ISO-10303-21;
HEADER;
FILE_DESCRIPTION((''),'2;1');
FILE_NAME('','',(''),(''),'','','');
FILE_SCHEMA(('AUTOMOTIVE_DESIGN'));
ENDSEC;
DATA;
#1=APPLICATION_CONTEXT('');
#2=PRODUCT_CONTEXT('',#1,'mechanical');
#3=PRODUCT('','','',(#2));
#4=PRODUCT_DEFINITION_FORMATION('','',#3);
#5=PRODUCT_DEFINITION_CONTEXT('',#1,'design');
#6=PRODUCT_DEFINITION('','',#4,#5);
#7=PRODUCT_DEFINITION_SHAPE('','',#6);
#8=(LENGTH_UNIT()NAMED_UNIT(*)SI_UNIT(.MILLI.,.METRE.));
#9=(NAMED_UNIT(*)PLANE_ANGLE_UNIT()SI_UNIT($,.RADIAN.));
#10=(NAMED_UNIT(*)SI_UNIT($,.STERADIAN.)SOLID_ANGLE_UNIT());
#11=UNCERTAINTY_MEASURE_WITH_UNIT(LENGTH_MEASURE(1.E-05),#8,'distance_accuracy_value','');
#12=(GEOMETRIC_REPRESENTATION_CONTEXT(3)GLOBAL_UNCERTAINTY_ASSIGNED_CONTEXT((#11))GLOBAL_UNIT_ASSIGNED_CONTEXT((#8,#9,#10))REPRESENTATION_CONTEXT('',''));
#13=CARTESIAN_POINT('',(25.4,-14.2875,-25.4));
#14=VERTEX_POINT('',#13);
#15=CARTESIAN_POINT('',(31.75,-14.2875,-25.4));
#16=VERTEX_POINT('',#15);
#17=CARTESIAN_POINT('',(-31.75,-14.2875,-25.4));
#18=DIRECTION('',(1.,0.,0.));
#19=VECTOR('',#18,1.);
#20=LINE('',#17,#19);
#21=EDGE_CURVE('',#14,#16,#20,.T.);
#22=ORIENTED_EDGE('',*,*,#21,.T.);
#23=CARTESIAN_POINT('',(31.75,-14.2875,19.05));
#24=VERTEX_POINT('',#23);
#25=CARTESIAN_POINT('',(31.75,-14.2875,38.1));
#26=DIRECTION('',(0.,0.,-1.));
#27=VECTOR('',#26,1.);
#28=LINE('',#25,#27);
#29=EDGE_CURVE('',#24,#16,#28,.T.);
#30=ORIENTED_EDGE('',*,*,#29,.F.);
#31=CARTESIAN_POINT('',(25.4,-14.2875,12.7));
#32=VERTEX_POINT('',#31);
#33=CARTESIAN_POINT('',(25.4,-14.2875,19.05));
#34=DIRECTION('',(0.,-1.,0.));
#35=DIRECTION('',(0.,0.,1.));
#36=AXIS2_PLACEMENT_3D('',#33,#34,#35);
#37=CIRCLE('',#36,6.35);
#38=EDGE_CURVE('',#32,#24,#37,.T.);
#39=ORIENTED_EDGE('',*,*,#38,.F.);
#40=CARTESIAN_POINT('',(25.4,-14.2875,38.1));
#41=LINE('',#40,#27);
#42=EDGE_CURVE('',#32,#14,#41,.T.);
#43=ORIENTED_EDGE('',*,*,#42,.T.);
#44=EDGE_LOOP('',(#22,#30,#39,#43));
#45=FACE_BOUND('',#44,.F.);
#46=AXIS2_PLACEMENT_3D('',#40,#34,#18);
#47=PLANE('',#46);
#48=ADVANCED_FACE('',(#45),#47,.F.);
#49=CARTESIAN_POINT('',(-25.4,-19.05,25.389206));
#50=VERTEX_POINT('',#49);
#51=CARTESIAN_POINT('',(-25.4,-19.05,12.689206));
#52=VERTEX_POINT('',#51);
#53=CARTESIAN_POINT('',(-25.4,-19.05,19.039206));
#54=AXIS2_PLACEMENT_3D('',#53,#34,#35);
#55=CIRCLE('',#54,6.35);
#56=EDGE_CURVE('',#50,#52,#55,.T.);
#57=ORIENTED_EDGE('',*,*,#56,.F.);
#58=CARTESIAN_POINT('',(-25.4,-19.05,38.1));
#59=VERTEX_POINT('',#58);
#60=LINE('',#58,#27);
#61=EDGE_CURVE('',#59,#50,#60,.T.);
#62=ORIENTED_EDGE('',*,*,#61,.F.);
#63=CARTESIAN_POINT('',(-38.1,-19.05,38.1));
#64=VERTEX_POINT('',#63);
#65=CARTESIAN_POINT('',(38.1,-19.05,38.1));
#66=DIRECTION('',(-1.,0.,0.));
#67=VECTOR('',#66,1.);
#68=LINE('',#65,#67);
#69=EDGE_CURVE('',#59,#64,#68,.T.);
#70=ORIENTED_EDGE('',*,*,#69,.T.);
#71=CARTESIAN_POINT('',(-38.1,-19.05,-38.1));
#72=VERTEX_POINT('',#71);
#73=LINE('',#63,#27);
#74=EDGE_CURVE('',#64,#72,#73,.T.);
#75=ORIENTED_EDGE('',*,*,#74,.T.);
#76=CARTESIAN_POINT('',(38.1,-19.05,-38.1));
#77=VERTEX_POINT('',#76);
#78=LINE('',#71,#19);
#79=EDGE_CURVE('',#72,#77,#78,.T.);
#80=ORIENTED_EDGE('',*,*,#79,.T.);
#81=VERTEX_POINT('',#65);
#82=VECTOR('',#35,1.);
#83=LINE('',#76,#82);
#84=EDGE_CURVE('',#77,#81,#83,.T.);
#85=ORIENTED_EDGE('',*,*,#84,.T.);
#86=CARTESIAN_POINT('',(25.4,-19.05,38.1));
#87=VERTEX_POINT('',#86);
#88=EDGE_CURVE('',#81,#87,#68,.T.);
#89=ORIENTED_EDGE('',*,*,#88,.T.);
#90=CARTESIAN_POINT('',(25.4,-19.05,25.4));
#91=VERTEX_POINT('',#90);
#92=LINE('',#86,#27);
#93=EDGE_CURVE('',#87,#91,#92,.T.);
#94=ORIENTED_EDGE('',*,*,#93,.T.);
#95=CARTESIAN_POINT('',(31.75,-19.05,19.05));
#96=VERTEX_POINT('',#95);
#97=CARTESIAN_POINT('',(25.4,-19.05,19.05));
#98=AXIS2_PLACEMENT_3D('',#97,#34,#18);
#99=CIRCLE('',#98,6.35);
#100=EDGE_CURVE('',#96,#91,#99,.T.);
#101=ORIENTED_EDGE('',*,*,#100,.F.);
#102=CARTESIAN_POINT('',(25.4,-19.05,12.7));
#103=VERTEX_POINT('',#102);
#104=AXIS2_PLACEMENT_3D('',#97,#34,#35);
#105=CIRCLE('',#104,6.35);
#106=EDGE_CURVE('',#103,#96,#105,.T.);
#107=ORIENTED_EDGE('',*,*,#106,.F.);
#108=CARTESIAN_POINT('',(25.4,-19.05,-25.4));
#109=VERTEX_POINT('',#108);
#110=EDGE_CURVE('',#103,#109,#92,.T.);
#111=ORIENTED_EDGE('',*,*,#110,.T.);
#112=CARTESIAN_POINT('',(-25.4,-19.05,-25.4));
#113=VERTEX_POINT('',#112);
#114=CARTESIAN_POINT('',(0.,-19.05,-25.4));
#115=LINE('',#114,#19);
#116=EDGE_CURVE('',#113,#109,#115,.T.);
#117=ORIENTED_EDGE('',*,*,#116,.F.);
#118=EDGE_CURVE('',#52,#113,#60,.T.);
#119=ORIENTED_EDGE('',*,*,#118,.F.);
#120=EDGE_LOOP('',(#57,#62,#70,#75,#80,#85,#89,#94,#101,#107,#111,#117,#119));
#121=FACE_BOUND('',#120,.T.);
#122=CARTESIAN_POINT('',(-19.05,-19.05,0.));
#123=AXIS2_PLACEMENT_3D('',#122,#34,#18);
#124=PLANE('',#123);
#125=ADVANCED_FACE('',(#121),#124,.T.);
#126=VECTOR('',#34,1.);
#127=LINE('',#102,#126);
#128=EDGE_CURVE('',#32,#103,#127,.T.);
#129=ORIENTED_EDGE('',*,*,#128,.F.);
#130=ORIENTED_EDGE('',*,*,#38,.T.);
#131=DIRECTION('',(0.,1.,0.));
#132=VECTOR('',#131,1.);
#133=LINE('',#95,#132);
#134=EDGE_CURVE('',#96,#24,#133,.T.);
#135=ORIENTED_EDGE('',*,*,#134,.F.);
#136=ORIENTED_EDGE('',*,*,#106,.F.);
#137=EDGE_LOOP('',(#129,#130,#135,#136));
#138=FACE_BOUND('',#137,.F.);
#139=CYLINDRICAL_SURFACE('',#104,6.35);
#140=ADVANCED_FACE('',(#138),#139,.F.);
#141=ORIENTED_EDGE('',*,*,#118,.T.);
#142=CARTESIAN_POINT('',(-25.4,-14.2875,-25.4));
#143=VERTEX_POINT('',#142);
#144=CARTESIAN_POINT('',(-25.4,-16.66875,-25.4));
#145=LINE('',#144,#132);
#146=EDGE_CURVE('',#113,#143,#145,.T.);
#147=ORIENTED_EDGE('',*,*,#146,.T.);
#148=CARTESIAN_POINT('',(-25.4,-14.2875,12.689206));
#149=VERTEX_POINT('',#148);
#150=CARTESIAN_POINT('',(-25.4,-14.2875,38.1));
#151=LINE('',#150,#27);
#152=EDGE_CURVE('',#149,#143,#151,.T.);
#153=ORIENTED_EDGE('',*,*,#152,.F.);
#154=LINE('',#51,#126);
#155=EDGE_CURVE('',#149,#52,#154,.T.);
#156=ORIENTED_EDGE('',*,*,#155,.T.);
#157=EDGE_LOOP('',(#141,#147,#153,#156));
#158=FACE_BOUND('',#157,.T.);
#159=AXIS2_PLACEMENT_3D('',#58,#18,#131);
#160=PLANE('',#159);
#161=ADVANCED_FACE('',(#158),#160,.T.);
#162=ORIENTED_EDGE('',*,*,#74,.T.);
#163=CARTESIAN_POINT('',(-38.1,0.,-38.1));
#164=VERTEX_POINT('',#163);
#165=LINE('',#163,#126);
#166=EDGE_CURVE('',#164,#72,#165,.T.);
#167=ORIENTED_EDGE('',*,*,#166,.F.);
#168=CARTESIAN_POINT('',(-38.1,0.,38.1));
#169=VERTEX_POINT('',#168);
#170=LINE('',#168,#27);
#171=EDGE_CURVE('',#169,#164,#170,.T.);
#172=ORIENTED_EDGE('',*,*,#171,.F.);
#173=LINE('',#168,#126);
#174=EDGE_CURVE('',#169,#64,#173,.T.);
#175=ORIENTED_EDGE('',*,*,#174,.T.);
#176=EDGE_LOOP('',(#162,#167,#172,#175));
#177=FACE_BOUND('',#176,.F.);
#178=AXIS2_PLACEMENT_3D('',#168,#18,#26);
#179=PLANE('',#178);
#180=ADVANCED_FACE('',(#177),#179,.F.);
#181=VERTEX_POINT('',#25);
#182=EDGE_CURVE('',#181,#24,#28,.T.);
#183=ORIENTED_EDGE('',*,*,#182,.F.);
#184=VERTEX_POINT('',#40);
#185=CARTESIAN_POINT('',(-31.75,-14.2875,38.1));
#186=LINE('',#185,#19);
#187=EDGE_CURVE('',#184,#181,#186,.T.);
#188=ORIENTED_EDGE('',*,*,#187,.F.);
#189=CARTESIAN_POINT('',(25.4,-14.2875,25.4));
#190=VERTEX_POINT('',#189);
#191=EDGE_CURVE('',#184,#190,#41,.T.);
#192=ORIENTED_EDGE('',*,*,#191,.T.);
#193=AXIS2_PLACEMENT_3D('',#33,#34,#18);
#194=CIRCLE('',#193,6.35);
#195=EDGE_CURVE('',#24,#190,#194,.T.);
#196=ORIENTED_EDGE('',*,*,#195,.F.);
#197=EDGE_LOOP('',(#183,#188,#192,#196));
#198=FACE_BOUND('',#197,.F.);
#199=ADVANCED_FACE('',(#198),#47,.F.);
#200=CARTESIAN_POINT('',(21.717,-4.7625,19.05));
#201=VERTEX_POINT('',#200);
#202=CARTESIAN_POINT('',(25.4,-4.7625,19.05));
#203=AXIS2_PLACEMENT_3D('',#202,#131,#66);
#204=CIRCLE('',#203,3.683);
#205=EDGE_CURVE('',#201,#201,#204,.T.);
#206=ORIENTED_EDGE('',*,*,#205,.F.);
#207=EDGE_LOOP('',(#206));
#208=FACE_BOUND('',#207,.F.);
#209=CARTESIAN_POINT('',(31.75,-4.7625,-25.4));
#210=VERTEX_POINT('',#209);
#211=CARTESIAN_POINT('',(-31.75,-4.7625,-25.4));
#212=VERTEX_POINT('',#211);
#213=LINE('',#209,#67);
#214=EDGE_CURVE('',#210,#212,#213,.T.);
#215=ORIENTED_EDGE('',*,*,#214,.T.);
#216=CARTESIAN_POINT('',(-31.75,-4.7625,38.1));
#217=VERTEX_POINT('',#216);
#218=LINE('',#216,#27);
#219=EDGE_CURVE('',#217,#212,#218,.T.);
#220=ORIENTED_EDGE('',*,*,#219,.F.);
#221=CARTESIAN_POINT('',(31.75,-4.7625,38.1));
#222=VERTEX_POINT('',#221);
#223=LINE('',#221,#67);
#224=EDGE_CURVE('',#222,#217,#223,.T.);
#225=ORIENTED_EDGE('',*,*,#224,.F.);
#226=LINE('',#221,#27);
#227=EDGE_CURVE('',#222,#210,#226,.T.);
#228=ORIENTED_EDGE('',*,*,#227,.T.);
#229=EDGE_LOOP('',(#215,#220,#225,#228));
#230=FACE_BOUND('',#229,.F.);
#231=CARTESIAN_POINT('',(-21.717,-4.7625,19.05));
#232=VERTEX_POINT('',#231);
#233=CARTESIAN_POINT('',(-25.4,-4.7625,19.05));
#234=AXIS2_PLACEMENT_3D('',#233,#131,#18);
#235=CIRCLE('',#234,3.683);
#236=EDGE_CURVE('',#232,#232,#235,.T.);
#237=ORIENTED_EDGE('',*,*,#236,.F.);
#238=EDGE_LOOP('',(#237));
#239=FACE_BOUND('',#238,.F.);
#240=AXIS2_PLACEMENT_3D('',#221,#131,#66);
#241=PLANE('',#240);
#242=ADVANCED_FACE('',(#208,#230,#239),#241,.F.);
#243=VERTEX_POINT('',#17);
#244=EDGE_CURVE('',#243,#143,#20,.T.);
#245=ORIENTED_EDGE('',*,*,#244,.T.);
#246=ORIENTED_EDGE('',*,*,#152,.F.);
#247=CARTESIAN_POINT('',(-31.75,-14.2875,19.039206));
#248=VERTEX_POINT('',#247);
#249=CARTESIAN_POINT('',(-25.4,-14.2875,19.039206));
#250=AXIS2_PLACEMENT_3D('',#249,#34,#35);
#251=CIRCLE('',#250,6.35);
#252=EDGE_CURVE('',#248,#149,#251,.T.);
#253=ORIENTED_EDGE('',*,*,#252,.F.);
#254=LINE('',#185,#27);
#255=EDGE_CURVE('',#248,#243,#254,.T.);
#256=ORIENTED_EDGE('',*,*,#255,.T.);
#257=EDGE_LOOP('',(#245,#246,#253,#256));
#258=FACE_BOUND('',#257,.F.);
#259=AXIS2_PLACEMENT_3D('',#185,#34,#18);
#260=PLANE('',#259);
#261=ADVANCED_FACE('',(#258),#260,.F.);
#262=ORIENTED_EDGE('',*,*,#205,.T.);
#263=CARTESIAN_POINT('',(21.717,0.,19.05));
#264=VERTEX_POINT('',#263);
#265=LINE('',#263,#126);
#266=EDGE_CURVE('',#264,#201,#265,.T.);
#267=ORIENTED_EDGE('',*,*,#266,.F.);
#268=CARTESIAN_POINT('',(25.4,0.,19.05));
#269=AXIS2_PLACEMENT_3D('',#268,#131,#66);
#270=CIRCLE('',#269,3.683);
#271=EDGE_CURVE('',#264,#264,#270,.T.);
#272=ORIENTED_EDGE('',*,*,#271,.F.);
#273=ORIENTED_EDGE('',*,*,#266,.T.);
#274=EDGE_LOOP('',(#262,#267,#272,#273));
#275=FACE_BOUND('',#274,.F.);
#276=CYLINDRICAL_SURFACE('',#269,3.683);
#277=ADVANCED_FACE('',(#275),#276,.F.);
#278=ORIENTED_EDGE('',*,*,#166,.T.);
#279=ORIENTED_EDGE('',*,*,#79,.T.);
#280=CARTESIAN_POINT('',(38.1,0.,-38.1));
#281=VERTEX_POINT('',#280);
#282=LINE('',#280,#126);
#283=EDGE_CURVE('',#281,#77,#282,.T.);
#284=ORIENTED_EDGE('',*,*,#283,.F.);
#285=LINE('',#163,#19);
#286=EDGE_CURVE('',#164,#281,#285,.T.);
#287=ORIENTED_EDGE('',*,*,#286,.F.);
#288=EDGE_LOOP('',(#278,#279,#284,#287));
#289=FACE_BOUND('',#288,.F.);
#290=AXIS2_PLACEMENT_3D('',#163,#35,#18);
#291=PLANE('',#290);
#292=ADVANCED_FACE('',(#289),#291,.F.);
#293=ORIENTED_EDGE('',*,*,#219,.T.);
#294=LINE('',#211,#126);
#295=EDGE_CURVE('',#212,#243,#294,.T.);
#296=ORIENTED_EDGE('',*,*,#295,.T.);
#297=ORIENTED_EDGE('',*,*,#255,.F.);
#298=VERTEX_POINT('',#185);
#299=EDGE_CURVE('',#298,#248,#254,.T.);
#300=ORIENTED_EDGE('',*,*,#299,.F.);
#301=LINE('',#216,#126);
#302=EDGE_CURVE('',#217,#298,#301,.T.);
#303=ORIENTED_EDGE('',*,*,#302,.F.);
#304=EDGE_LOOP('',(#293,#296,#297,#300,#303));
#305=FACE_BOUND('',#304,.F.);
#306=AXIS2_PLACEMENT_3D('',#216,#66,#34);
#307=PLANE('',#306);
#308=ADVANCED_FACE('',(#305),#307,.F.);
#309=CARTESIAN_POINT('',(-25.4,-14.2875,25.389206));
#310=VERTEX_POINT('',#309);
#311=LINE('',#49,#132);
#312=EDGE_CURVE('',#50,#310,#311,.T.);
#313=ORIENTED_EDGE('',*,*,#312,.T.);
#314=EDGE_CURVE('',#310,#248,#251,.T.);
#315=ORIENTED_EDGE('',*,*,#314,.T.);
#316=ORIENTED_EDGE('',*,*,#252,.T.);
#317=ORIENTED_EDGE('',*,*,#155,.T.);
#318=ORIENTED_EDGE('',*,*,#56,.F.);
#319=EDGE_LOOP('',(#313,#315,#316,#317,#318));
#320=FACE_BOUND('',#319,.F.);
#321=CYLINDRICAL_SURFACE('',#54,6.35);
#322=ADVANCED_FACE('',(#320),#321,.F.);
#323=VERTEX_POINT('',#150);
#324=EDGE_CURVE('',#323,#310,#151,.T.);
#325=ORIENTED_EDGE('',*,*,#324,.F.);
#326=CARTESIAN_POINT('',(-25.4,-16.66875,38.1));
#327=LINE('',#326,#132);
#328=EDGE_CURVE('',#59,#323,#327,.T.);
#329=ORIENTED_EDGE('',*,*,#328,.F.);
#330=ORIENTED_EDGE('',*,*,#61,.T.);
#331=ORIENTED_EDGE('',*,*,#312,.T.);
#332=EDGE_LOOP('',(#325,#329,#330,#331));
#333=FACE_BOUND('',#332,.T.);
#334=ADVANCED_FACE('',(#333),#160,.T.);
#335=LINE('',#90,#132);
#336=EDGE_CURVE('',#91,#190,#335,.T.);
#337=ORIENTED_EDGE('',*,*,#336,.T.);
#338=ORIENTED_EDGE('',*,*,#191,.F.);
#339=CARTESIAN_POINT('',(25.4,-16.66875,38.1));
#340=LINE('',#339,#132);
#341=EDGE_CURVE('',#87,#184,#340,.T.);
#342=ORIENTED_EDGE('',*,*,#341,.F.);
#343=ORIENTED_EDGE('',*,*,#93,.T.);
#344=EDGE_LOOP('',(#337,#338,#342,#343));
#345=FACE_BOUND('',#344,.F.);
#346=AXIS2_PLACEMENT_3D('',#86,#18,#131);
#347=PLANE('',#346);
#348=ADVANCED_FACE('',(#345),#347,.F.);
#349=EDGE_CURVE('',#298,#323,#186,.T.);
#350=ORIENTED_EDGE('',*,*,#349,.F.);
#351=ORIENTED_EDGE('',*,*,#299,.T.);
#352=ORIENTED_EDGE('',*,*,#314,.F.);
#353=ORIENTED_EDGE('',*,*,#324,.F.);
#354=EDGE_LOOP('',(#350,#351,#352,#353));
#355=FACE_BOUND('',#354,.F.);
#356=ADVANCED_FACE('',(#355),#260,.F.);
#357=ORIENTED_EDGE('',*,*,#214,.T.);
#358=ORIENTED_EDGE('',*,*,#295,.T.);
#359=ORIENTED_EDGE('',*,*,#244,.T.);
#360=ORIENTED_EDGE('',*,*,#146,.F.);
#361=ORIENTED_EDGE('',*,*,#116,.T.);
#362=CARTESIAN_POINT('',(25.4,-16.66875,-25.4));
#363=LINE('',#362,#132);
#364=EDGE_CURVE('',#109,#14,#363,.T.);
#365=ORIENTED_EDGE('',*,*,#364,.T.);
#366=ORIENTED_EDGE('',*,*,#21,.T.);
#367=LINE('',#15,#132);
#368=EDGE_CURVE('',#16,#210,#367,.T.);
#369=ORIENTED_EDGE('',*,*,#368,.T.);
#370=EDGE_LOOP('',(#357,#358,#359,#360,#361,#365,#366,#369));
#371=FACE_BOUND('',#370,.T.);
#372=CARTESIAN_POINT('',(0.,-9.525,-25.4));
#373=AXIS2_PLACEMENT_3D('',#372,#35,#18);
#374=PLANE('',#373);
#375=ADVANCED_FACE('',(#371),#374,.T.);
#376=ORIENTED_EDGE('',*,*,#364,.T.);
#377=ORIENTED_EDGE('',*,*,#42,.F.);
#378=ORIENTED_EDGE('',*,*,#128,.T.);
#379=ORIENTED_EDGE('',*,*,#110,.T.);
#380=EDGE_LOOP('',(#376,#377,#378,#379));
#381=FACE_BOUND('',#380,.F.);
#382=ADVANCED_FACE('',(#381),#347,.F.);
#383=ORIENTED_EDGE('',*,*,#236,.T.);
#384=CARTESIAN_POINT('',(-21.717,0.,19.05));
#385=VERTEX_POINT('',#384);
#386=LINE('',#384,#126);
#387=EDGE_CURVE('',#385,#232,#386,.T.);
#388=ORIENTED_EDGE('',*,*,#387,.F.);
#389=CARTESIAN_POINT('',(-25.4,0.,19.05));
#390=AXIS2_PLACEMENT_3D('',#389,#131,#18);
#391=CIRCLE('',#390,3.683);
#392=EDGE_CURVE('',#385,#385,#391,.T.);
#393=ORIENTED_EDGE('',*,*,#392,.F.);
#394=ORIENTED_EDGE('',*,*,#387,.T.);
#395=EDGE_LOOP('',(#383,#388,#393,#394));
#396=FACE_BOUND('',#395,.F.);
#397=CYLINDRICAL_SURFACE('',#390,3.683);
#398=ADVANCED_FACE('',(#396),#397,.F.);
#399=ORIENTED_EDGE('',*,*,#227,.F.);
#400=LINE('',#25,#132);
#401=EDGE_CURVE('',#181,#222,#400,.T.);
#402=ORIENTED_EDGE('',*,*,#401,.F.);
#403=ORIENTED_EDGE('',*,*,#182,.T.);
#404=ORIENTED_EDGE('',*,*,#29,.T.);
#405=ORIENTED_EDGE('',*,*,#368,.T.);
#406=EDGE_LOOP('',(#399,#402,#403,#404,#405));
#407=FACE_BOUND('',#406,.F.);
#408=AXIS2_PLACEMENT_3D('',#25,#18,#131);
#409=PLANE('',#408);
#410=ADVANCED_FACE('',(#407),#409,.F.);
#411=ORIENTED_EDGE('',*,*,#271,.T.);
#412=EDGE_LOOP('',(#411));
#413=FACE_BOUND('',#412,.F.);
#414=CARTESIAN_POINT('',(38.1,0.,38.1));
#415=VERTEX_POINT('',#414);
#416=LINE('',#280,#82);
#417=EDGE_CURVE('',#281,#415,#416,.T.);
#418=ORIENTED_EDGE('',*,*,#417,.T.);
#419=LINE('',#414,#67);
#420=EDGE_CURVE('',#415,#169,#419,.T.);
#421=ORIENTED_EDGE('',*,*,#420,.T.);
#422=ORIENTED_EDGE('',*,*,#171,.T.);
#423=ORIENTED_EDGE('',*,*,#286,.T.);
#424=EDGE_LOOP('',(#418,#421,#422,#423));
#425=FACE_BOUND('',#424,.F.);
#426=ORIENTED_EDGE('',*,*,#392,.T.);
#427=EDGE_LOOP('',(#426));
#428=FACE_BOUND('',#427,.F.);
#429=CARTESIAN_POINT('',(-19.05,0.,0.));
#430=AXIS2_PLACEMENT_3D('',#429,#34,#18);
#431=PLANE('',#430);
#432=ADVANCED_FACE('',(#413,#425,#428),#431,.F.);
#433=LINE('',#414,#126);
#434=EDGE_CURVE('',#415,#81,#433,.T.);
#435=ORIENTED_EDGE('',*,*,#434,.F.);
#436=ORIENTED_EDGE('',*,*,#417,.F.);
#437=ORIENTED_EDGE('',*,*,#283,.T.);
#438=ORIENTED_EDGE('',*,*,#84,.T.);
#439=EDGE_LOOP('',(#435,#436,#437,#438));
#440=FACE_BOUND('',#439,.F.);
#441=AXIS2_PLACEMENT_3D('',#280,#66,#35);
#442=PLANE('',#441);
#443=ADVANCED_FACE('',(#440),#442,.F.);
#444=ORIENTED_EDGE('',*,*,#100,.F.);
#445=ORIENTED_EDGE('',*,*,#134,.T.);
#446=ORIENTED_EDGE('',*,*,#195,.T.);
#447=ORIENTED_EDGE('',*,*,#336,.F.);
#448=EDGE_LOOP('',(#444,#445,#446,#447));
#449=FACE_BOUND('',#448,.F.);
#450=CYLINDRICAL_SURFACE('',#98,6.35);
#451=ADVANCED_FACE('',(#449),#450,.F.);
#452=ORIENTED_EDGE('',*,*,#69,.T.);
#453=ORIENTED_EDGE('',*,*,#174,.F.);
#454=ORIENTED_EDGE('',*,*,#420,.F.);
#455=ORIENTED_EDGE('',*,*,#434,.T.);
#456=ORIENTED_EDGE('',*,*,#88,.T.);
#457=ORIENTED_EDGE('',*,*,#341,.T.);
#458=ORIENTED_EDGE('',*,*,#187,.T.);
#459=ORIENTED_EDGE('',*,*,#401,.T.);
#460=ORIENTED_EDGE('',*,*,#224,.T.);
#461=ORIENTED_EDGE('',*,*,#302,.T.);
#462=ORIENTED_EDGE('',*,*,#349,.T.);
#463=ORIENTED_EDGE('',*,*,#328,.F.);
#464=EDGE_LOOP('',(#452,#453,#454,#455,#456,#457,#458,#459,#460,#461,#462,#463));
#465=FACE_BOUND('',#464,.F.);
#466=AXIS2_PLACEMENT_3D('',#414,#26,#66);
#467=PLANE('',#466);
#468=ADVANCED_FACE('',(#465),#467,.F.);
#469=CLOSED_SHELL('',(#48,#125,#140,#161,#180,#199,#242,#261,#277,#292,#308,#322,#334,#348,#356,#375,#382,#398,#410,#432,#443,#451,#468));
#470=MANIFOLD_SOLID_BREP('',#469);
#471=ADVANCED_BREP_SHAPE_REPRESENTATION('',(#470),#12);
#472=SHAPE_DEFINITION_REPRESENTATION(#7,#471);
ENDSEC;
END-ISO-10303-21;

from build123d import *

# Parameters (mm, degrees)
F1_DEPTH = 19.05
F2_W     = 6.35
F2_H     = 4.7625
F2_W_2   = 50.8
F3_DEPTH = 63.5
F5_DEPTH = 10.16
F8_DEPTH = 12.7


with BuildPart() as f1:
    # F0 (on Front) → F1 (new body)
    with BuildSketch(Plane.XZ):
        Polygon((0, -38.1), (0, 0), (0, 38.1), (-38.1, 38.1), (-38.1, 0), (-38.1, -38.1), align=None)
        Polygon((0, 38.1), (0, 0), (0, -38.1), (38.1, -38.1), (38.1, 0), (38.1, 38.1), align=None)
    extrude(amount=F1_DEPTH)

    # F2 (on face) → F3 (cut)
    with BuildSketch(Plane.XY.offset(38.1)):
        Polygon((-25.4, -14.2875), (25.4, -14.2875), (25.4, -9.525), (25.4, -4.7625), (-25.4, -4.7625), (-25.4, -9.525), align=None)
        with Locations((28.575, -11.90625)):
            Rectangle(F2_W, F2_H)
        with Locations((28.575, -7.14375)):
            Rectangle(F2_W, F2_H)
        with Locations((-28.575, -11.90625)):
            Rectangle(F2_W, F2_H)
        with Locations((-28.575, -7.14375)):
            Rectangle(F2_W, F2_H)
        with Locations((0, -16.66875)):
            Rectangle(F2_W_2, F2_H)
    extrude(amount=-F3_DEPTH, mode=Mode.SUBTRACT)

    # F4 (on face) → F5 (cut)
    with BuildSketch(Plane(origin=(0, 0, 0), x_dir=(-1, 0, 0), z_dir=(0, 1, 0))):
        with BuildLine():
            ThreePointArc((-29.083, 19.05), (-25.4, 15.367), (-21.717, 19.05))
            Line((-21.717, 19.05), (-25.4, 19.05))
            Line((-25.4, 19.05), (-29.083, 19.05))
        make_face()
        with BuildLine():
            Line((-25.4, 19.05), (-21.717, 19.05))
            ThreePointArc((-21.717, 19.05), (-25.4, 22.733), (-29.083, 19.05))
            Line((-29.083, 19.05), (-25.4, 19.05))
        make_face()
        with BuildLine():
            ThreePointArc((29.083, 19.05), (25.4, 22.733), (21.717, 19.05))
            Line((21.717, 19.05), (25.4, 19.05))
            Line((25.4, 19.05), (29.083, 19.05))
        make_face()
        with BuildLine():
            Line((25.4, 19.05), (21.717, 19.05))
            ThreePointArc((21.717, 19.05), (25.4, 15.367), (29.083, 19.05))
            Line((29.083, 19.05), (25.4, 19.05))
        make_face()
    extrude(amount=-F5_DEPTH, mode=Mode.SUBTRACT)

    # F7 (on face) → F8 (cut)
    with BuildSketch(Plane.XZ.offset(19.05)):
        with BuildLine():
            ThreePointArc((-25.4, 25.3892062068), (-29.8901280605, 14.5490781463), (-19.05, 19.0392062068))
            ThreePointArc((-19.05, 19.0392062068), (-20.9098719395, 23.5293342673), (-25.4, 25.3892062068))
        make_face()
        with BuildLine():
            ThreePointArc((25.4, 25.4), (20.9098719395, 14.5598719395), (31.75, 19.05))
            ThreePointArc((31.75, 19.05), (29.8901280605, 23.5401280605), (25.4, 25.4))
        make_face()
    extrude(amount=-F8_DEPTH, mode=Mode.SUBTRACT)


solid = f1.part
